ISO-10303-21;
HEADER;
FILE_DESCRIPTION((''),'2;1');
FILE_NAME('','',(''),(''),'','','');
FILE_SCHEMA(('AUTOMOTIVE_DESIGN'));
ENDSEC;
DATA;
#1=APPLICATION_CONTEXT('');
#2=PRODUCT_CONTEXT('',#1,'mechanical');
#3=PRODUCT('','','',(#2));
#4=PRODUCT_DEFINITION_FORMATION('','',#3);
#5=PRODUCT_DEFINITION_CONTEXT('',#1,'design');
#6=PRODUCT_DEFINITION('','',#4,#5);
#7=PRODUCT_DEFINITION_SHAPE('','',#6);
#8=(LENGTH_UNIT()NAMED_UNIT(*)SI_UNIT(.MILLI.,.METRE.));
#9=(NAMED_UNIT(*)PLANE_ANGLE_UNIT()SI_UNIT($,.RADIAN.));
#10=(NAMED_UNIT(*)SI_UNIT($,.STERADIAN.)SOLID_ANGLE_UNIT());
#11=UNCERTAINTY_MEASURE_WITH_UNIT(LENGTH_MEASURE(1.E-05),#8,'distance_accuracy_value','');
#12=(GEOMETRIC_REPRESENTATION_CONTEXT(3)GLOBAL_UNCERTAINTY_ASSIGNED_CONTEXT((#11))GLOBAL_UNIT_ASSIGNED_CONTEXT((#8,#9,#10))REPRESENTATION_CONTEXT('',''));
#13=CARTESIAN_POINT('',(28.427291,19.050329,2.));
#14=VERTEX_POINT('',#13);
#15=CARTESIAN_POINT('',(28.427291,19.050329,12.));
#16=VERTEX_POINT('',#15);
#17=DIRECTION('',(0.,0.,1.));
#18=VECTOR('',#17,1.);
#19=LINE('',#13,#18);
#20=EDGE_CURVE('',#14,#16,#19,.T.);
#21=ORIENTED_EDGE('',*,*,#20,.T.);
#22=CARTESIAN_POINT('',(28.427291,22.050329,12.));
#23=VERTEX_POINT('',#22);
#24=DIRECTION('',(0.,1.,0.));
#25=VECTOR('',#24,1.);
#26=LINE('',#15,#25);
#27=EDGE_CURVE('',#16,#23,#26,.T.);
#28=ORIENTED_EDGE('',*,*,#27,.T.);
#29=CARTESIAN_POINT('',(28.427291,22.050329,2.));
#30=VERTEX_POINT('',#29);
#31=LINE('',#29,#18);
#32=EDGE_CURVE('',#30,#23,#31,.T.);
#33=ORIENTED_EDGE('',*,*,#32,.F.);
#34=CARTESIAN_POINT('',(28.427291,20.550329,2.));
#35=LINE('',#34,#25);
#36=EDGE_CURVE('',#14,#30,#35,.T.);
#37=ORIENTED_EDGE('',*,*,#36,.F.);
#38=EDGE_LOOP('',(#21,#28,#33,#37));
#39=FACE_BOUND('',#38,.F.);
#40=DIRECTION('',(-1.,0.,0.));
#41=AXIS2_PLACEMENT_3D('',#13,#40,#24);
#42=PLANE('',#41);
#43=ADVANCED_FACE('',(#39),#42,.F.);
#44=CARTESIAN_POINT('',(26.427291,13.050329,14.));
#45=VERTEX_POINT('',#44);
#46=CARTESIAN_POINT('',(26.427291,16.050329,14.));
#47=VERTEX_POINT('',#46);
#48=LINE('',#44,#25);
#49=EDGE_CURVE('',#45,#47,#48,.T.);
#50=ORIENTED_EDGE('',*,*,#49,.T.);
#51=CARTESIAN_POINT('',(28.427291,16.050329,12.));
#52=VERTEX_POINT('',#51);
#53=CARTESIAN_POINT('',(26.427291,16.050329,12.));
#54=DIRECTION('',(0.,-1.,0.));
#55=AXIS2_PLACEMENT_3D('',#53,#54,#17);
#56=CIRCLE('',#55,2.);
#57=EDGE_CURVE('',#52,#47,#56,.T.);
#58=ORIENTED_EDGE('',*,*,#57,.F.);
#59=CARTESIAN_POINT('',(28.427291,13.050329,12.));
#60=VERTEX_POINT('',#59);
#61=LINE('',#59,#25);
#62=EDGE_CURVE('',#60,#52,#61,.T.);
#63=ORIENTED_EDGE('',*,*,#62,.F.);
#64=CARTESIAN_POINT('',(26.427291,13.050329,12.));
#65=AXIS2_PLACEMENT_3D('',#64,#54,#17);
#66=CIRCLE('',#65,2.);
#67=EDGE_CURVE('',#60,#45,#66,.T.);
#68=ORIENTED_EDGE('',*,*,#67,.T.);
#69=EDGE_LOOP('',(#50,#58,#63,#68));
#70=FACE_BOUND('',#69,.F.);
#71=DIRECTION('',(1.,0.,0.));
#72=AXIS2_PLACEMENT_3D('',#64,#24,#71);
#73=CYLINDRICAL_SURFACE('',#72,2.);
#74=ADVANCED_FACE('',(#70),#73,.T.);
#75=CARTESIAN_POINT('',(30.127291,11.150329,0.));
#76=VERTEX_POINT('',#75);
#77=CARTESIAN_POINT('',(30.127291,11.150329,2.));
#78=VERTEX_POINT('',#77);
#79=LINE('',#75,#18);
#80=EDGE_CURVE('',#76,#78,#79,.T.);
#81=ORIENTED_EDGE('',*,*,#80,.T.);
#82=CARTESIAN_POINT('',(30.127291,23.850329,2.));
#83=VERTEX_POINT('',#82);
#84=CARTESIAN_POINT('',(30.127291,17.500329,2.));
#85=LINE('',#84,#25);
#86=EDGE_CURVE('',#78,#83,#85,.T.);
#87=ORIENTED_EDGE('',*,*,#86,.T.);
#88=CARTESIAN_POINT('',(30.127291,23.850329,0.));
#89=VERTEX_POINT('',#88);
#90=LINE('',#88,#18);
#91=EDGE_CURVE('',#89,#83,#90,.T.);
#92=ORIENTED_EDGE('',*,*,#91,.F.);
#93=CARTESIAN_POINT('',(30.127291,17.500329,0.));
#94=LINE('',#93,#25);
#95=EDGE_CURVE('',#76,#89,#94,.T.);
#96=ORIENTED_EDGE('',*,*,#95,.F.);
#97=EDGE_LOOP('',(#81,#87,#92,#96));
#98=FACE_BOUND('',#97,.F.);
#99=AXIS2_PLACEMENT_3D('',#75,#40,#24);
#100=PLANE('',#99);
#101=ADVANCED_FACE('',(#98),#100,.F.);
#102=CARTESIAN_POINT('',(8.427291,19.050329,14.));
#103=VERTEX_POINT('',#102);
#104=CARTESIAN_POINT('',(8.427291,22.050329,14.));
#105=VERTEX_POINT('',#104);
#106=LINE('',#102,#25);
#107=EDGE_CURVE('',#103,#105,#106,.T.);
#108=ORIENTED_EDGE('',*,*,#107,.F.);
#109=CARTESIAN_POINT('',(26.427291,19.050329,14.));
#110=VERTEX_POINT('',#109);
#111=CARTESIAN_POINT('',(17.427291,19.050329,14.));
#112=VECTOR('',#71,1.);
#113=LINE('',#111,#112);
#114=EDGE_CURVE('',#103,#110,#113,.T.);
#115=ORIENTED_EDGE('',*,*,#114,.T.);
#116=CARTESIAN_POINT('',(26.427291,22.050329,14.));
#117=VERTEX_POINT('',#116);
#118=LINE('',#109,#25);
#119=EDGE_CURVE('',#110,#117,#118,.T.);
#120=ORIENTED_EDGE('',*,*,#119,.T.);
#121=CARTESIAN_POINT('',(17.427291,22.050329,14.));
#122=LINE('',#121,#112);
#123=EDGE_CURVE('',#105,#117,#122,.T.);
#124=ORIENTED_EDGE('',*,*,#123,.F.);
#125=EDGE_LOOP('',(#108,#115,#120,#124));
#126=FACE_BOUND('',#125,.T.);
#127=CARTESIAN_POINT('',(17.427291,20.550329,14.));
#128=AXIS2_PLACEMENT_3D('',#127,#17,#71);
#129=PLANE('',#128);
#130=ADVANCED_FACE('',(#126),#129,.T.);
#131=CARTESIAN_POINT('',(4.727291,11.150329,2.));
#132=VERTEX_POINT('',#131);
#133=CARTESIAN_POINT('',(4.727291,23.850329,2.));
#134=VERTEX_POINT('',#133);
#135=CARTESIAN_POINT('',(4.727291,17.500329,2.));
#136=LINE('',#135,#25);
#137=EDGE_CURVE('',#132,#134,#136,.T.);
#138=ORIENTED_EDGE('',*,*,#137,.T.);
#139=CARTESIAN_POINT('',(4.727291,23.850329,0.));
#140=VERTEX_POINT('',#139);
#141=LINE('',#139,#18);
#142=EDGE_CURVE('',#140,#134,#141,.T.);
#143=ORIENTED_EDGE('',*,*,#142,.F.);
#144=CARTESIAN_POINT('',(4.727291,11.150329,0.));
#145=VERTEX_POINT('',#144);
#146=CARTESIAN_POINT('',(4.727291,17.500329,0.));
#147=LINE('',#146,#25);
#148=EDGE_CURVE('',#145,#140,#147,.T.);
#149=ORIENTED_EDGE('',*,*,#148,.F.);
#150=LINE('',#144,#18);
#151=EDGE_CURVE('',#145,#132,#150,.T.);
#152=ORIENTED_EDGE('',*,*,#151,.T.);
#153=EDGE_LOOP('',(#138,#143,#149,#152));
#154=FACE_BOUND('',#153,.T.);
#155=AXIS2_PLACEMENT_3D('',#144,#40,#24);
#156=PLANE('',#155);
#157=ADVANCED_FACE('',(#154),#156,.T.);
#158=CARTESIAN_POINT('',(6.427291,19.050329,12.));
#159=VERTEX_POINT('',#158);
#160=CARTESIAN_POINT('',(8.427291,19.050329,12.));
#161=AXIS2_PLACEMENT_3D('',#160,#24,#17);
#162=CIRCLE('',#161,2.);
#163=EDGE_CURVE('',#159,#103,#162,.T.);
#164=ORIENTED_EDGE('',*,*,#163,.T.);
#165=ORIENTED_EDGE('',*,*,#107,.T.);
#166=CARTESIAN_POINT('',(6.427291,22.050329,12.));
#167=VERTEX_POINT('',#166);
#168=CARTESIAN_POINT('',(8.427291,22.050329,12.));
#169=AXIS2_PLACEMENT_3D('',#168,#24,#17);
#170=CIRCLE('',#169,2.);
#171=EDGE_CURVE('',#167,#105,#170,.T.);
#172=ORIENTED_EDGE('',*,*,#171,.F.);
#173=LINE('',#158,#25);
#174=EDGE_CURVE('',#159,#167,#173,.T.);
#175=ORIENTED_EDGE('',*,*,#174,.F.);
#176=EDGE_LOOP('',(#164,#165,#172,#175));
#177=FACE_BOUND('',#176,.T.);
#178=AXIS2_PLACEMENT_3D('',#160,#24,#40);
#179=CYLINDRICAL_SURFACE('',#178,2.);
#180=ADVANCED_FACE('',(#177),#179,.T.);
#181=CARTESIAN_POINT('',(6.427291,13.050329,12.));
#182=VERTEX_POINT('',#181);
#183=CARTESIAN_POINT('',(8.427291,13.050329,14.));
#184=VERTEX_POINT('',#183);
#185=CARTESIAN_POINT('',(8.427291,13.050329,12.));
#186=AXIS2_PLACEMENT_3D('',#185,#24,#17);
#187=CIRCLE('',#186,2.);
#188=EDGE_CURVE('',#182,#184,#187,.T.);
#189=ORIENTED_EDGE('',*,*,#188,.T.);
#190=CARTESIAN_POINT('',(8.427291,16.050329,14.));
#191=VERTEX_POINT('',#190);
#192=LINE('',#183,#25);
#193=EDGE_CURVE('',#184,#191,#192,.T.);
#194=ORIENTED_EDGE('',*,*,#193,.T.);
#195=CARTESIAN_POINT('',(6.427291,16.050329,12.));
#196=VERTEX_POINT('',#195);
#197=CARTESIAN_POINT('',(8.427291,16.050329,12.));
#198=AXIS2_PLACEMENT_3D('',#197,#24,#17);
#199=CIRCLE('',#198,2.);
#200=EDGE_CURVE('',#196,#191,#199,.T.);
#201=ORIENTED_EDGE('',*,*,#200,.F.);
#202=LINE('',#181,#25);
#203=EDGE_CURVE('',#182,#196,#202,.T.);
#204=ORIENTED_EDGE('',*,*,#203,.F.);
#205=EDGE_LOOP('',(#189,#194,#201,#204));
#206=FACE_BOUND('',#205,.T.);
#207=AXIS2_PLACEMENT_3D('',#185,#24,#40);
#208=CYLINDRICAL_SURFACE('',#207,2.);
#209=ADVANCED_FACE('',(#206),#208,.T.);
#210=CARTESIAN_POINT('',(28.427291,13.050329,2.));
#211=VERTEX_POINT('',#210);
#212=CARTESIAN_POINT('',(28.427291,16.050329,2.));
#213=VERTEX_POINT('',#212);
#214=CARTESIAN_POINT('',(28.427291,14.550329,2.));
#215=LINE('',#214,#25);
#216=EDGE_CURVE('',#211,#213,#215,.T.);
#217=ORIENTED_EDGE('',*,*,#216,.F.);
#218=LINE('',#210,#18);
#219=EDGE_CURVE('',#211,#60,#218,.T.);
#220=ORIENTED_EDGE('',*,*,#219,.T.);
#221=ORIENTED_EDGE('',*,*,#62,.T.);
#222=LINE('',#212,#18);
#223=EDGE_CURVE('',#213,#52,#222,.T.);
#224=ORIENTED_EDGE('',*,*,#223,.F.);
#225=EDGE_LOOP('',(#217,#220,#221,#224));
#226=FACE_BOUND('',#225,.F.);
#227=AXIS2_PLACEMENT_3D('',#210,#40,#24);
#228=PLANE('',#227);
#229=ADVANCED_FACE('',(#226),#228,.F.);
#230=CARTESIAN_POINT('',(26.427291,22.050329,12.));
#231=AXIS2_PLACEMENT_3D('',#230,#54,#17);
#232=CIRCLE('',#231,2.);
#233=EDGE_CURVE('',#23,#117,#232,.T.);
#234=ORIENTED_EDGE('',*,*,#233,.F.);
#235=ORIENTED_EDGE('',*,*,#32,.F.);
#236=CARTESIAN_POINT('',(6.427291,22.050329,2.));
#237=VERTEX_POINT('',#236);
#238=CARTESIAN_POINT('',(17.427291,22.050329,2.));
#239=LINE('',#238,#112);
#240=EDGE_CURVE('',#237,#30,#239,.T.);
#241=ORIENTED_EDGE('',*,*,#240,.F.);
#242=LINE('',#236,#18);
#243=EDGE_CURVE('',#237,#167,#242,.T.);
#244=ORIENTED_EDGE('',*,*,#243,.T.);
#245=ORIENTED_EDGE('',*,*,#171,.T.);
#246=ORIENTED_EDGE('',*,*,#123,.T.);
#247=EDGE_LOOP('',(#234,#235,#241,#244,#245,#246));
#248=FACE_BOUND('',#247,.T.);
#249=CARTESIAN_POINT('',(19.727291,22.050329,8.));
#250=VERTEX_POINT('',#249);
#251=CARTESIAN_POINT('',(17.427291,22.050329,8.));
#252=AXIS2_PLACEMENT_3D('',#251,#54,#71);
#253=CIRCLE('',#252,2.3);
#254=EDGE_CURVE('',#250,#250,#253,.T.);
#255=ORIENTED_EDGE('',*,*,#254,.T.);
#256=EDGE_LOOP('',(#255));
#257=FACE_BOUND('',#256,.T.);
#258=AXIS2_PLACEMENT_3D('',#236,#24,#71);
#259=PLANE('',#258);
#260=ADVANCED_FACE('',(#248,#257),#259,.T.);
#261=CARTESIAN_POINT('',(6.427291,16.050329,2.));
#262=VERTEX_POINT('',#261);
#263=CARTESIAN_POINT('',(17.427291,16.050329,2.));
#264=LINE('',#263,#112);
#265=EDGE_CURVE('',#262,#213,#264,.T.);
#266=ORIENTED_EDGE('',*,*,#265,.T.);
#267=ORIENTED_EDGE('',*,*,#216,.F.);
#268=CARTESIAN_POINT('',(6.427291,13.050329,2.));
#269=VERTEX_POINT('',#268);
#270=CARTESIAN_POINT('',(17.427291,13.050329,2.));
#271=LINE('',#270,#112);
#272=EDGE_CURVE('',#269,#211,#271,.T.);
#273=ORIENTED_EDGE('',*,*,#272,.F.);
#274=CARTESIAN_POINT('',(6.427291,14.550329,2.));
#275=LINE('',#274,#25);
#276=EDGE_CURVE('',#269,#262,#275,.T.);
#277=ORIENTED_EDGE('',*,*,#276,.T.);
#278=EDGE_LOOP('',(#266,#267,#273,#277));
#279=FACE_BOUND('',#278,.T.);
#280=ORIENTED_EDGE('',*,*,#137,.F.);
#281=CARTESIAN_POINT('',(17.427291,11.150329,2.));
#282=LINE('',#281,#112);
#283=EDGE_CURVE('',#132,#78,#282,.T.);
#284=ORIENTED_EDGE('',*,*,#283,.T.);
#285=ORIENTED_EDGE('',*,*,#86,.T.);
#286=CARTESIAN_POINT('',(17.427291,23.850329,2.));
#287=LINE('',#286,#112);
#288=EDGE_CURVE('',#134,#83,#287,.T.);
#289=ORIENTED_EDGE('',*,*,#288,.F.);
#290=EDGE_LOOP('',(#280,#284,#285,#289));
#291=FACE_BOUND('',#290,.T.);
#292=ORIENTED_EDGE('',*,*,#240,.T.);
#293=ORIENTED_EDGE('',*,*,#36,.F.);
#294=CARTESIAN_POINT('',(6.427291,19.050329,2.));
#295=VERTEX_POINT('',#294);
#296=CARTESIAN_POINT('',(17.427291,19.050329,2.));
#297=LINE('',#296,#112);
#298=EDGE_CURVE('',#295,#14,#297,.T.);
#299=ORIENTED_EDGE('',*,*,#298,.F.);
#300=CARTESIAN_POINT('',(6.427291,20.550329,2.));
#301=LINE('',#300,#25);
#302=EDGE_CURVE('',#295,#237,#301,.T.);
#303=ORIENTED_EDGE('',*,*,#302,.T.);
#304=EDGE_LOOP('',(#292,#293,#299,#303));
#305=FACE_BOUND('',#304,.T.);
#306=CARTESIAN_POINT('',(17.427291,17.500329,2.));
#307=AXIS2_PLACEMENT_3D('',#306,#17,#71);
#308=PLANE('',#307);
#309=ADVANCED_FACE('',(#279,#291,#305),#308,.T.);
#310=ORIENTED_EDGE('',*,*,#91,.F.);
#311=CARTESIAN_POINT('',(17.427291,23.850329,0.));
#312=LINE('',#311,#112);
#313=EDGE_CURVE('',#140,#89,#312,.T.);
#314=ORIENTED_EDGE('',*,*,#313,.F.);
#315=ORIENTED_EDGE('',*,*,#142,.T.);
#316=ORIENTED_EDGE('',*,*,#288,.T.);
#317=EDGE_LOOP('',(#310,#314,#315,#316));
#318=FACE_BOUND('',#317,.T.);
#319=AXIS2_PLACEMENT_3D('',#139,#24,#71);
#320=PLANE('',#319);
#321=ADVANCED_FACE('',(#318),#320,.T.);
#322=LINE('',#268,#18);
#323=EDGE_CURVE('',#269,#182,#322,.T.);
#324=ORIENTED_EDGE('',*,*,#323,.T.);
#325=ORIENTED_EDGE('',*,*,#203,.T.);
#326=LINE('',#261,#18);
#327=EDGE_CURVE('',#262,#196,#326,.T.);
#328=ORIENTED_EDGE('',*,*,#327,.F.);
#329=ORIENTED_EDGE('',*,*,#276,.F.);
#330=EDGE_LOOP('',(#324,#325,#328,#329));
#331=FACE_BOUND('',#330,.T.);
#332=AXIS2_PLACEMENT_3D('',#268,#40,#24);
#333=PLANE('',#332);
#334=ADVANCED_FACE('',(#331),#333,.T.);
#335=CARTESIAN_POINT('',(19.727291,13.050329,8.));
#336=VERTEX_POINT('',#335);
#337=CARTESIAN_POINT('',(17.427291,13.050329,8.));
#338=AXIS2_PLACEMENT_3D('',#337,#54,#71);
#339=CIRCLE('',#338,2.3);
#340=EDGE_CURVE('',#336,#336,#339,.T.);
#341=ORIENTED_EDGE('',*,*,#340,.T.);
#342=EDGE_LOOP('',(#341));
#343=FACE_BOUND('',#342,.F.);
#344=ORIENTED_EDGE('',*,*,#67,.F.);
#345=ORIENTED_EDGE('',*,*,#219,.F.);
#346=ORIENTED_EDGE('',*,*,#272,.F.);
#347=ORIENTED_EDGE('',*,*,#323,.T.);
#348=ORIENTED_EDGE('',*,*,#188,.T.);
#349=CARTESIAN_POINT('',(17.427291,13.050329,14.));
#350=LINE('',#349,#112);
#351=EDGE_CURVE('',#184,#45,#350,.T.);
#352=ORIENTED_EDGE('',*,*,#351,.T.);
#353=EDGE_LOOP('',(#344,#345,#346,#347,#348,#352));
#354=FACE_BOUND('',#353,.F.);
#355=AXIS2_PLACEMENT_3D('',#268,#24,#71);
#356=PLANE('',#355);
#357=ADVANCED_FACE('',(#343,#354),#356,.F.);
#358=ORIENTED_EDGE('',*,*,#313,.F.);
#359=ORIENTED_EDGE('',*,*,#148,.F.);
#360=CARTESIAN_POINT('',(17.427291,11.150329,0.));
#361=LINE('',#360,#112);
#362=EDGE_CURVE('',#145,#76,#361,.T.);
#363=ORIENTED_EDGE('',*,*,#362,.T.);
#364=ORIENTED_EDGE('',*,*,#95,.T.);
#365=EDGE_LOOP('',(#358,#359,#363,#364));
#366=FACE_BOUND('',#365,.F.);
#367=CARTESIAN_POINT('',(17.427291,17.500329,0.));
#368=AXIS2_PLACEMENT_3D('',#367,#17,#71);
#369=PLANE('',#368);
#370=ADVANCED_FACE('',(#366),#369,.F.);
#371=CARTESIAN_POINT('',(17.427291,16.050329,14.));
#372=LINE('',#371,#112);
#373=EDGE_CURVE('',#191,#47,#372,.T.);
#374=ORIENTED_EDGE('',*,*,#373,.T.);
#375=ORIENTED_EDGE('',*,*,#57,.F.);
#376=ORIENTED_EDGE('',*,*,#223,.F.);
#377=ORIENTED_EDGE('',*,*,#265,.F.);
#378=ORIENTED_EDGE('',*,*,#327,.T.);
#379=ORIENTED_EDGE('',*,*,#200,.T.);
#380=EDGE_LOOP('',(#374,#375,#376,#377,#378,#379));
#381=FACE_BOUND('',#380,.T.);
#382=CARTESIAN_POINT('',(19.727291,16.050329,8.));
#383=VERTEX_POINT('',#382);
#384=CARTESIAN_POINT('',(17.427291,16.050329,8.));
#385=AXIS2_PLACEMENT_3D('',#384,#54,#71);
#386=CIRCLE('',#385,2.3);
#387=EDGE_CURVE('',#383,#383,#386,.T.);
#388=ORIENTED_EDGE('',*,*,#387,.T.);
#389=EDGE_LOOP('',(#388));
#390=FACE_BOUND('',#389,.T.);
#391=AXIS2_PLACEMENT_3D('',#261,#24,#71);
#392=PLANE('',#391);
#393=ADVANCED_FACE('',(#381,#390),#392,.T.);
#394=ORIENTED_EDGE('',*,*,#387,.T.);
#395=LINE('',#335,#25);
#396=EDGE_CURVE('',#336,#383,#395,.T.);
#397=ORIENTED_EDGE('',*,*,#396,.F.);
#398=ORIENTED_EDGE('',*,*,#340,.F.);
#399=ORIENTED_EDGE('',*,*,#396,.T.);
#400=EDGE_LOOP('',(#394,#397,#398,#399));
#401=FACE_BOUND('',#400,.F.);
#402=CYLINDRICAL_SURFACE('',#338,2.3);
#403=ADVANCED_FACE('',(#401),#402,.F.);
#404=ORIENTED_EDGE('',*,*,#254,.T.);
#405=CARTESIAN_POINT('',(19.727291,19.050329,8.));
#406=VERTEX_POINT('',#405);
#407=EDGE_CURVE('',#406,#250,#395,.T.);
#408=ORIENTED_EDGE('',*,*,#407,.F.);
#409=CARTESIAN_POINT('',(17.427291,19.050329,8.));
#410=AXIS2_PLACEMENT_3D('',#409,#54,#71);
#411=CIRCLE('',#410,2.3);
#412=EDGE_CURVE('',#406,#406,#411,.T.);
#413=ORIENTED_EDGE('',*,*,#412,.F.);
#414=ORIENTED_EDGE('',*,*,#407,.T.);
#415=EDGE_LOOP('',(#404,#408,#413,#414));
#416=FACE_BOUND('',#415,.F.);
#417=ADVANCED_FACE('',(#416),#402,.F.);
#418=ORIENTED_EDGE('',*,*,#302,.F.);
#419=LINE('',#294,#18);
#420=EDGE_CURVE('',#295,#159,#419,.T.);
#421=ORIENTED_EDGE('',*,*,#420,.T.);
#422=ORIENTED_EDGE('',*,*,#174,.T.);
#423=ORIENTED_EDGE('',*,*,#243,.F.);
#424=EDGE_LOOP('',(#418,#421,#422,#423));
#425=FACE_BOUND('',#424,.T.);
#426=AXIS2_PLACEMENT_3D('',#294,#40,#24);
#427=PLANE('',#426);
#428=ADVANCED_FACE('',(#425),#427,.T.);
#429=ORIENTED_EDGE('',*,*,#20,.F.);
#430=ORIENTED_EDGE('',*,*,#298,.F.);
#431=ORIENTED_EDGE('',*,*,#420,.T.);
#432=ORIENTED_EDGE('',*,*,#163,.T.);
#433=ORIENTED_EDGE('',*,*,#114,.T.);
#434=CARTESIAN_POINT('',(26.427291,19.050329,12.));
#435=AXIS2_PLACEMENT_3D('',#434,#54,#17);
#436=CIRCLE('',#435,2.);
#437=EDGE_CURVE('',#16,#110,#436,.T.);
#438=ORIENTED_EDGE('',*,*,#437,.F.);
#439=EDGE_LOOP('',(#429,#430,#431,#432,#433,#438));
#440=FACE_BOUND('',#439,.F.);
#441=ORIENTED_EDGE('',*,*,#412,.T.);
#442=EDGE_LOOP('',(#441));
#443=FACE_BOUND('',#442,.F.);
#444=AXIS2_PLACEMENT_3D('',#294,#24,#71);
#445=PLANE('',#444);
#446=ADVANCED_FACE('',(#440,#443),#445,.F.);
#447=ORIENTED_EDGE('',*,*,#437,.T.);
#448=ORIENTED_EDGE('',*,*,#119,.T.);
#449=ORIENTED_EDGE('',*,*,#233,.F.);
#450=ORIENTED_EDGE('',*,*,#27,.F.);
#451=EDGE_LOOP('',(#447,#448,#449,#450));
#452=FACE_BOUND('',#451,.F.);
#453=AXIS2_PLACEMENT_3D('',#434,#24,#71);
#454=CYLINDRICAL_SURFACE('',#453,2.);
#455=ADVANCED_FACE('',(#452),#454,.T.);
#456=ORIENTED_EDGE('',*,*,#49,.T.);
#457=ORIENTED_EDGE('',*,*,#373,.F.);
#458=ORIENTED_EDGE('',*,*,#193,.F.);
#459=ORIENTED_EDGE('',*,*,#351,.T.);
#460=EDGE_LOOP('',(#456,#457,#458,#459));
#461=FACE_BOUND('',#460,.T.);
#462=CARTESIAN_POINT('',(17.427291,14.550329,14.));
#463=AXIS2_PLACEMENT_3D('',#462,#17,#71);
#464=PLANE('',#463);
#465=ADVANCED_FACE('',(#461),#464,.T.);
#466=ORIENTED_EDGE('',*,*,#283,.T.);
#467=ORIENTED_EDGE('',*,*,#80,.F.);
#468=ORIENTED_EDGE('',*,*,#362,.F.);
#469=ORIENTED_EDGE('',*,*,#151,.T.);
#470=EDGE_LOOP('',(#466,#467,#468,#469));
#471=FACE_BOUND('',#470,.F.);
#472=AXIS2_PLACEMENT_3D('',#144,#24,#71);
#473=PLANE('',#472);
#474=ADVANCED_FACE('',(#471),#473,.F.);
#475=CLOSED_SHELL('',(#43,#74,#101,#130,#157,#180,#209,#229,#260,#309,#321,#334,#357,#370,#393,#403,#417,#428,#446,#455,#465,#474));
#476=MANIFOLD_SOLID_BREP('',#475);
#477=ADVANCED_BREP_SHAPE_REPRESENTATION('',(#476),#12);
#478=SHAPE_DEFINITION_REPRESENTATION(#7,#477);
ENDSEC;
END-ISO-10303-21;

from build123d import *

# Parameters (mm, degrees)
F0_W     = 25.4
F0_H     = 12.7
F1_DEPTH = 2
F2_W     = 22
F2_H     = 3
F3_DEPTH = 12
F4_R     = 2.3
F5_DEPTH = 25
F6_R     = 2


with BuildPart() as f1:
    # F0 (on Top) → F1 (new body)
    with BuildSketch(Plane.XY):
        with Locations((17.427291, 17.500329)):
            Rectangle(F0_W, F0_H)
    extrude(amount=F1_DEPTH)

    # F2 (on face) → F3 (join)
    with BuildSketch(Plane.XY.offset(2)):
        with Locations((17.427291, 20.550329)):
            Rectangle(F2_W, F2_H)
        with Locations((17.427291, 14.550329)):
            Rectangle(F2_W, F2_H)
    extrude(amount=F3_DEPTH)

    # F4 (on face) → F5 (cut)
    with BuildSketch(Plane.XZ.offset(-13.050329)):
        with Locations((17.427291, 8)):
            Circle(F4_R)
    extrude(amount=-F5_DEPTH, mode=Mode.SUBTRACT)

    # F6
    f6_edges = [f1.edges().sort_by_distance(p)[0] for p in [
        (6.427291, 20.550329, 14),
        (6.427291, 14.550329, 14),
        (28.427291, 20.550329, 14),
        (28.427291, 14.550329, 14),
    ]]
    fillet(f6_edges, radius=F6_R)


solid = f1.part
